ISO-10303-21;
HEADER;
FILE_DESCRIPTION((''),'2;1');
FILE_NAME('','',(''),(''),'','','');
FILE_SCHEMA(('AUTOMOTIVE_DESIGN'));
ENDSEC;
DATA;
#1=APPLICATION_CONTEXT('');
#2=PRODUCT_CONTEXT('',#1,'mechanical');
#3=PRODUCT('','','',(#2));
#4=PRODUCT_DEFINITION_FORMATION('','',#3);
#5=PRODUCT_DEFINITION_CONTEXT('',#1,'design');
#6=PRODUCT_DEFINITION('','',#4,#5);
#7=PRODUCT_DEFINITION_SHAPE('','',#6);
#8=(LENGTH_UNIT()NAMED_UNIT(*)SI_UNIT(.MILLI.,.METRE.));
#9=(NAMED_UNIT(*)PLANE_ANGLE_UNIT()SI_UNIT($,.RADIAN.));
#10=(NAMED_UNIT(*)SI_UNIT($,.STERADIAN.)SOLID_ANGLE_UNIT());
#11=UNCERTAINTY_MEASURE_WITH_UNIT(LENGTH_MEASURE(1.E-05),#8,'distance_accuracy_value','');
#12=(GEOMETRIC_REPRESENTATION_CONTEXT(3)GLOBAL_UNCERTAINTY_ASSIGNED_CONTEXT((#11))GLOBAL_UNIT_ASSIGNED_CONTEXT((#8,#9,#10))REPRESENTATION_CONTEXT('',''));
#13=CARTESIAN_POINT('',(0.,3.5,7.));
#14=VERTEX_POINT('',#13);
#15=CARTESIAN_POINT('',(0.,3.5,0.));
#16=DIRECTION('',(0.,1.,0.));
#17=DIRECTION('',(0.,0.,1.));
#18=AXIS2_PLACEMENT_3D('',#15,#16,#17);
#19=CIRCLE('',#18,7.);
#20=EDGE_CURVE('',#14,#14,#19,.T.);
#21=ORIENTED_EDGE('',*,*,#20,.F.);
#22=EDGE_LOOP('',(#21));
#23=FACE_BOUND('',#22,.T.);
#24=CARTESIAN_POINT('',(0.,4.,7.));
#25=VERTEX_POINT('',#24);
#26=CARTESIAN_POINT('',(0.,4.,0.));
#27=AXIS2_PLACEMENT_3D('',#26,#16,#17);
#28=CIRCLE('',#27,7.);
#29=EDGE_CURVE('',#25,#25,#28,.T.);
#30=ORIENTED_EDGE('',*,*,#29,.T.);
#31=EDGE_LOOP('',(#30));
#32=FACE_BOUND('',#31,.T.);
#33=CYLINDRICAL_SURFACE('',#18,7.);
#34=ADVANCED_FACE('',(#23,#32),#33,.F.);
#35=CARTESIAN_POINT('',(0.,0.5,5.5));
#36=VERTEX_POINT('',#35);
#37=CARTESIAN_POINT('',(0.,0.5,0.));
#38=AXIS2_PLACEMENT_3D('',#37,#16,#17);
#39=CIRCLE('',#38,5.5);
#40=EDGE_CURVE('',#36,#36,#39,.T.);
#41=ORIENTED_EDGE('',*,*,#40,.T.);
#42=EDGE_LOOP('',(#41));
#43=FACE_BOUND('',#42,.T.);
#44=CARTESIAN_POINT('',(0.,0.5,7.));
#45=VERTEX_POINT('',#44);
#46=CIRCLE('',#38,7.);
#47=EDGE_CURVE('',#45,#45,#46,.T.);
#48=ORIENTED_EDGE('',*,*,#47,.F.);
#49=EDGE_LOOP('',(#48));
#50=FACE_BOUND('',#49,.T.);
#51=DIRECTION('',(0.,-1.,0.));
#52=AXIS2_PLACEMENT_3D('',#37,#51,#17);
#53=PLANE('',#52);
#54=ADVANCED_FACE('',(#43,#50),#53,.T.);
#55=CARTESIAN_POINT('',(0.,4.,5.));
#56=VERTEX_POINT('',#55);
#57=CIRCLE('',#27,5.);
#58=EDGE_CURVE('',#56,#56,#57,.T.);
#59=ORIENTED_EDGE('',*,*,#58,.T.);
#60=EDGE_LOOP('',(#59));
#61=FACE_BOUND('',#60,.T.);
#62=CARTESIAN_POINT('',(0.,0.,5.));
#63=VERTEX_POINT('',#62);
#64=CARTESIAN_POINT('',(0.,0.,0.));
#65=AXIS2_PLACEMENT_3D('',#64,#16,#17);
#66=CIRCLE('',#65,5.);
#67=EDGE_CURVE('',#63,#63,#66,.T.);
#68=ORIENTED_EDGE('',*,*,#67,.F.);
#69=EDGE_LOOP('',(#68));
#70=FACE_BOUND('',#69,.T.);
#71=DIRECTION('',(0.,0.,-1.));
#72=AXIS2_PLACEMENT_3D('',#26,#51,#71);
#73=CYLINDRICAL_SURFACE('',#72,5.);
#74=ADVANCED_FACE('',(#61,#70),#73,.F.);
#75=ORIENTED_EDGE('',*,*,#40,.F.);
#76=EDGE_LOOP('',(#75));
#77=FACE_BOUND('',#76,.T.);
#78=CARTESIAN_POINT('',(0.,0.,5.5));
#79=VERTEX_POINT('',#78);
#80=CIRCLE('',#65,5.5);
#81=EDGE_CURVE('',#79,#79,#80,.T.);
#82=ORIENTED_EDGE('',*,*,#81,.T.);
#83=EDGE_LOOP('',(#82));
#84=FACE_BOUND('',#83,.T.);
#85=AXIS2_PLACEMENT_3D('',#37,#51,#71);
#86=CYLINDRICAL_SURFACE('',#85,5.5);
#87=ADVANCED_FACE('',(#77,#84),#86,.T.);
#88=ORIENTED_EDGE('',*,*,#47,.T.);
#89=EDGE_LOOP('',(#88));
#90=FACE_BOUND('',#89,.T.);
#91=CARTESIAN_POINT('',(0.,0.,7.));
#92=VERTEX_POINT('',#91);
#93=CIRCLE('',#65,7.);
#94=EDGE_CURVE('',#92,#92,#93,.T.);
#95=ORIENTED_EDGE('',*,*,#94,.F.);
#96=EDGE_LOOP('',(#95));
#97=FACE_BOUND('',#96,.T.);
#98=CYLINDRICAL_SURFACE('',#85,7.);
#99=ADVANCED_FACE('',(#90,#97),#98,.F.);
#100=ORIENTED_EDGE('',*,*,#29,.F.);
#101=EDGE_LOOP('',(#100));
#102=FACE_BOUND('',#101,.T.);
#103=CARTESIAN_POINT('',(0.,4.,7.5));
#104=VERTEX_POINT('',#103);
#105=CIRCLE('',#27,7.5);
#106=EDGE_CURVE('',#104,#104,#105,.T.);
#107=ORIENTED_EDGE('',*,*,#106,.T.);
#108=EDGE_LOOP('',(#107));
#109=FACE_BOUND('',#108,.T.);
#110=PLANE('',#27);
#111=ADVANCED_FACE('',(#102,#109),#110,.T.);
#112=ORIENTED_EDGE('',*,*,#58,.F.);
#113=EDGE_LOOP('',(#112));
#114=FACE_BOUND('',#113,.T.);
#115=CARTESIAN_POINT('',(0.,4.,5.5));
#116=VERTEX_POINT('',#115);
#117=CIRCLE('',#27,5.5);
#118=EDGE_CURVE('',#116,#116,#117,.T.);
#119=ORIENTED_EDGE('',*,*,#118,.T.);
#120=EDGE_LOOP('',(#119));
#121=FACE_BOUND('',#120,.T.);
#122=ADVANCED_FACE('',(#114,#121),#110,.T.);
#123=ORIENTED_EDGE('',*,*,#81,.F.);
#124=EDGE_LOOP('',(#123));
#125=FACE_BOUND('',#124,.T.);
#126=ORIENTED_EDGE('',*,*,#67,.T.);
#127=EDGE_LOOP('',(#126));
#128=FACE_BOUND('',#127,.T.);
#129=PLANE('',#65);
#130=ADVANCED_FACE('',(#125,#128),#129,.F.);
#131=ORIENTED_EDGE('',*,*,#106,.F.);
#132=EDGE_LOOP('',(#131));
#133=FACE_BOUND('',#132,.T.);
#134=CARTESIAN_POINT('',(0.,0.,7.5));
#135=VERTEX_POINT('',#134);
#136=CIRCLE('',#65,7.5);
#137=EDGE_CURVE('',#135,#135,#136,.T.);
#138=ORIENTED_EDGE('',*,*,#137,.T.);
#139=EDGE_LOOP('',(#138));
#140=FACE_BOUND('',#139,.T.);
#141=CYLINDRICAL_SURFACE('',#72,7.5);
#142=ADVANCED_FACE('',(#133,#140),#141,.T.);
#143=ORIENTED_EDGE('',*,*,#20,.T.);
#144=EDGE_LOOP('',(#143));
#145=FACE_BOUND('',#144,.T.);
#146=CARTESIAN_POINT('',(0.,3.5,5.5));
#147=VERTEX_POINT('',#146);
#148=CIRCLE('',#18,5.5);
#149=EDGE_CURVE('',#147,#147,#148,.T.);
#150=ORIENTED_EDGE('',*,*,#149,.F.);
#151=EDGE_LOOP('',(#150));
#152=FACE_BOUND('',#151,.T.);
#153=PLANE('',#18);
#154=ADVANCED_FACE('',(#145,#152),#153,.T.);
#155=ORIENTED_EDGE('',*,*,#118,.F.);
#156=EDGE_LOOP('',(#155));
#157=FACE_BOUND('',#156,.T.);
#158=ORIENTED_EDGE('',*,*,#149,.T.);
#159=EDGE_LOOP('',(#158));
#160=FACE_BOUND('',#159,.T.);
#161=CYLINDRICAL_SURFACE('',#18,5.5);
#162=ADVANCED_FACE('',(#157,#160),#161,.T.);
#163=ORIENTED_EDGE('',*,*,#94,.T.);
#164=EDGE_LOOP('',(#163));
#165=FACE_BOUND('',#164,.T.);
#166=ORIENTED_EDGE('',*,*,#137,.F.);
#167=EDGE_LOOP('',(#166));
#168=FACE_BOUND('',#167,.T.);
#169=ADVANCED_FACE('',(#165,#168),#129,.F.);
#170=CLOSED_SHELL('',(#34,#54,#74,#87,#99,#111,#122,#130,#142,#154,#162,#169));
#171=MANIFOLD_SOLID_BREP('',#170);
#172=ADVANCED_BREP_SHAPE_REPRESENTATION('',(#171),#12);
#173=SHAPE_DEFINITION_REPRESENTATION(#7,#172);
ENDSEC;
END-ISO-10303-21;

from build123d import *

# Parameters (mm, degrees)
SKETCH1_R           = 7.5
SKETCH1_R_2         = 5
BOSS_EXTRUDE1_DEPTH = 4
SKETCH2_R           = 7
SKETCH2_R_2         = 5.5
CUT_EXTRUDE1_DEPTH  = 0.5


with BuildPart() as part:
    # Sketch1 → Boss-Extrude1 (new body)
    with BuildSketch(Plane(origin=(0, 0, 0), x_dir=(1, 0, 0), z_dir=(0, 1, 0))):
        Circle(SKETCH1_R)
        Circle(SKETCH1_R_2, mode=Mode.SUBTRACT)
    extrude(amount=BOSS_EXTRUDE1_DEPTH)

    # Sketch2 → Cut-Extrude1 (cut)
    with BuildSketch(Plane(origin=(0, 4, 0), x_dir=(1, 0, 0), z_dir=(0, 1, 0))):
        Circle(SKETCH2_R)
        Circle(SKETCH2_R_2, mode=Mode.SUBTRACT)
    cut_extrude1 = extrude(amount=-CUT_EXTRUDE1_DEPTH, mode=Mode.SUBTRACT)

    # Mirror1: Cut-Extrude1 across plane
    add(cut_extrude1.mirror(Plane(origin=(0, 2, 0), x_dir=(0, 0, 1), z_dir=(0, -1, 0))), mode=Mode.SUBTRACT)


solid = part.part
